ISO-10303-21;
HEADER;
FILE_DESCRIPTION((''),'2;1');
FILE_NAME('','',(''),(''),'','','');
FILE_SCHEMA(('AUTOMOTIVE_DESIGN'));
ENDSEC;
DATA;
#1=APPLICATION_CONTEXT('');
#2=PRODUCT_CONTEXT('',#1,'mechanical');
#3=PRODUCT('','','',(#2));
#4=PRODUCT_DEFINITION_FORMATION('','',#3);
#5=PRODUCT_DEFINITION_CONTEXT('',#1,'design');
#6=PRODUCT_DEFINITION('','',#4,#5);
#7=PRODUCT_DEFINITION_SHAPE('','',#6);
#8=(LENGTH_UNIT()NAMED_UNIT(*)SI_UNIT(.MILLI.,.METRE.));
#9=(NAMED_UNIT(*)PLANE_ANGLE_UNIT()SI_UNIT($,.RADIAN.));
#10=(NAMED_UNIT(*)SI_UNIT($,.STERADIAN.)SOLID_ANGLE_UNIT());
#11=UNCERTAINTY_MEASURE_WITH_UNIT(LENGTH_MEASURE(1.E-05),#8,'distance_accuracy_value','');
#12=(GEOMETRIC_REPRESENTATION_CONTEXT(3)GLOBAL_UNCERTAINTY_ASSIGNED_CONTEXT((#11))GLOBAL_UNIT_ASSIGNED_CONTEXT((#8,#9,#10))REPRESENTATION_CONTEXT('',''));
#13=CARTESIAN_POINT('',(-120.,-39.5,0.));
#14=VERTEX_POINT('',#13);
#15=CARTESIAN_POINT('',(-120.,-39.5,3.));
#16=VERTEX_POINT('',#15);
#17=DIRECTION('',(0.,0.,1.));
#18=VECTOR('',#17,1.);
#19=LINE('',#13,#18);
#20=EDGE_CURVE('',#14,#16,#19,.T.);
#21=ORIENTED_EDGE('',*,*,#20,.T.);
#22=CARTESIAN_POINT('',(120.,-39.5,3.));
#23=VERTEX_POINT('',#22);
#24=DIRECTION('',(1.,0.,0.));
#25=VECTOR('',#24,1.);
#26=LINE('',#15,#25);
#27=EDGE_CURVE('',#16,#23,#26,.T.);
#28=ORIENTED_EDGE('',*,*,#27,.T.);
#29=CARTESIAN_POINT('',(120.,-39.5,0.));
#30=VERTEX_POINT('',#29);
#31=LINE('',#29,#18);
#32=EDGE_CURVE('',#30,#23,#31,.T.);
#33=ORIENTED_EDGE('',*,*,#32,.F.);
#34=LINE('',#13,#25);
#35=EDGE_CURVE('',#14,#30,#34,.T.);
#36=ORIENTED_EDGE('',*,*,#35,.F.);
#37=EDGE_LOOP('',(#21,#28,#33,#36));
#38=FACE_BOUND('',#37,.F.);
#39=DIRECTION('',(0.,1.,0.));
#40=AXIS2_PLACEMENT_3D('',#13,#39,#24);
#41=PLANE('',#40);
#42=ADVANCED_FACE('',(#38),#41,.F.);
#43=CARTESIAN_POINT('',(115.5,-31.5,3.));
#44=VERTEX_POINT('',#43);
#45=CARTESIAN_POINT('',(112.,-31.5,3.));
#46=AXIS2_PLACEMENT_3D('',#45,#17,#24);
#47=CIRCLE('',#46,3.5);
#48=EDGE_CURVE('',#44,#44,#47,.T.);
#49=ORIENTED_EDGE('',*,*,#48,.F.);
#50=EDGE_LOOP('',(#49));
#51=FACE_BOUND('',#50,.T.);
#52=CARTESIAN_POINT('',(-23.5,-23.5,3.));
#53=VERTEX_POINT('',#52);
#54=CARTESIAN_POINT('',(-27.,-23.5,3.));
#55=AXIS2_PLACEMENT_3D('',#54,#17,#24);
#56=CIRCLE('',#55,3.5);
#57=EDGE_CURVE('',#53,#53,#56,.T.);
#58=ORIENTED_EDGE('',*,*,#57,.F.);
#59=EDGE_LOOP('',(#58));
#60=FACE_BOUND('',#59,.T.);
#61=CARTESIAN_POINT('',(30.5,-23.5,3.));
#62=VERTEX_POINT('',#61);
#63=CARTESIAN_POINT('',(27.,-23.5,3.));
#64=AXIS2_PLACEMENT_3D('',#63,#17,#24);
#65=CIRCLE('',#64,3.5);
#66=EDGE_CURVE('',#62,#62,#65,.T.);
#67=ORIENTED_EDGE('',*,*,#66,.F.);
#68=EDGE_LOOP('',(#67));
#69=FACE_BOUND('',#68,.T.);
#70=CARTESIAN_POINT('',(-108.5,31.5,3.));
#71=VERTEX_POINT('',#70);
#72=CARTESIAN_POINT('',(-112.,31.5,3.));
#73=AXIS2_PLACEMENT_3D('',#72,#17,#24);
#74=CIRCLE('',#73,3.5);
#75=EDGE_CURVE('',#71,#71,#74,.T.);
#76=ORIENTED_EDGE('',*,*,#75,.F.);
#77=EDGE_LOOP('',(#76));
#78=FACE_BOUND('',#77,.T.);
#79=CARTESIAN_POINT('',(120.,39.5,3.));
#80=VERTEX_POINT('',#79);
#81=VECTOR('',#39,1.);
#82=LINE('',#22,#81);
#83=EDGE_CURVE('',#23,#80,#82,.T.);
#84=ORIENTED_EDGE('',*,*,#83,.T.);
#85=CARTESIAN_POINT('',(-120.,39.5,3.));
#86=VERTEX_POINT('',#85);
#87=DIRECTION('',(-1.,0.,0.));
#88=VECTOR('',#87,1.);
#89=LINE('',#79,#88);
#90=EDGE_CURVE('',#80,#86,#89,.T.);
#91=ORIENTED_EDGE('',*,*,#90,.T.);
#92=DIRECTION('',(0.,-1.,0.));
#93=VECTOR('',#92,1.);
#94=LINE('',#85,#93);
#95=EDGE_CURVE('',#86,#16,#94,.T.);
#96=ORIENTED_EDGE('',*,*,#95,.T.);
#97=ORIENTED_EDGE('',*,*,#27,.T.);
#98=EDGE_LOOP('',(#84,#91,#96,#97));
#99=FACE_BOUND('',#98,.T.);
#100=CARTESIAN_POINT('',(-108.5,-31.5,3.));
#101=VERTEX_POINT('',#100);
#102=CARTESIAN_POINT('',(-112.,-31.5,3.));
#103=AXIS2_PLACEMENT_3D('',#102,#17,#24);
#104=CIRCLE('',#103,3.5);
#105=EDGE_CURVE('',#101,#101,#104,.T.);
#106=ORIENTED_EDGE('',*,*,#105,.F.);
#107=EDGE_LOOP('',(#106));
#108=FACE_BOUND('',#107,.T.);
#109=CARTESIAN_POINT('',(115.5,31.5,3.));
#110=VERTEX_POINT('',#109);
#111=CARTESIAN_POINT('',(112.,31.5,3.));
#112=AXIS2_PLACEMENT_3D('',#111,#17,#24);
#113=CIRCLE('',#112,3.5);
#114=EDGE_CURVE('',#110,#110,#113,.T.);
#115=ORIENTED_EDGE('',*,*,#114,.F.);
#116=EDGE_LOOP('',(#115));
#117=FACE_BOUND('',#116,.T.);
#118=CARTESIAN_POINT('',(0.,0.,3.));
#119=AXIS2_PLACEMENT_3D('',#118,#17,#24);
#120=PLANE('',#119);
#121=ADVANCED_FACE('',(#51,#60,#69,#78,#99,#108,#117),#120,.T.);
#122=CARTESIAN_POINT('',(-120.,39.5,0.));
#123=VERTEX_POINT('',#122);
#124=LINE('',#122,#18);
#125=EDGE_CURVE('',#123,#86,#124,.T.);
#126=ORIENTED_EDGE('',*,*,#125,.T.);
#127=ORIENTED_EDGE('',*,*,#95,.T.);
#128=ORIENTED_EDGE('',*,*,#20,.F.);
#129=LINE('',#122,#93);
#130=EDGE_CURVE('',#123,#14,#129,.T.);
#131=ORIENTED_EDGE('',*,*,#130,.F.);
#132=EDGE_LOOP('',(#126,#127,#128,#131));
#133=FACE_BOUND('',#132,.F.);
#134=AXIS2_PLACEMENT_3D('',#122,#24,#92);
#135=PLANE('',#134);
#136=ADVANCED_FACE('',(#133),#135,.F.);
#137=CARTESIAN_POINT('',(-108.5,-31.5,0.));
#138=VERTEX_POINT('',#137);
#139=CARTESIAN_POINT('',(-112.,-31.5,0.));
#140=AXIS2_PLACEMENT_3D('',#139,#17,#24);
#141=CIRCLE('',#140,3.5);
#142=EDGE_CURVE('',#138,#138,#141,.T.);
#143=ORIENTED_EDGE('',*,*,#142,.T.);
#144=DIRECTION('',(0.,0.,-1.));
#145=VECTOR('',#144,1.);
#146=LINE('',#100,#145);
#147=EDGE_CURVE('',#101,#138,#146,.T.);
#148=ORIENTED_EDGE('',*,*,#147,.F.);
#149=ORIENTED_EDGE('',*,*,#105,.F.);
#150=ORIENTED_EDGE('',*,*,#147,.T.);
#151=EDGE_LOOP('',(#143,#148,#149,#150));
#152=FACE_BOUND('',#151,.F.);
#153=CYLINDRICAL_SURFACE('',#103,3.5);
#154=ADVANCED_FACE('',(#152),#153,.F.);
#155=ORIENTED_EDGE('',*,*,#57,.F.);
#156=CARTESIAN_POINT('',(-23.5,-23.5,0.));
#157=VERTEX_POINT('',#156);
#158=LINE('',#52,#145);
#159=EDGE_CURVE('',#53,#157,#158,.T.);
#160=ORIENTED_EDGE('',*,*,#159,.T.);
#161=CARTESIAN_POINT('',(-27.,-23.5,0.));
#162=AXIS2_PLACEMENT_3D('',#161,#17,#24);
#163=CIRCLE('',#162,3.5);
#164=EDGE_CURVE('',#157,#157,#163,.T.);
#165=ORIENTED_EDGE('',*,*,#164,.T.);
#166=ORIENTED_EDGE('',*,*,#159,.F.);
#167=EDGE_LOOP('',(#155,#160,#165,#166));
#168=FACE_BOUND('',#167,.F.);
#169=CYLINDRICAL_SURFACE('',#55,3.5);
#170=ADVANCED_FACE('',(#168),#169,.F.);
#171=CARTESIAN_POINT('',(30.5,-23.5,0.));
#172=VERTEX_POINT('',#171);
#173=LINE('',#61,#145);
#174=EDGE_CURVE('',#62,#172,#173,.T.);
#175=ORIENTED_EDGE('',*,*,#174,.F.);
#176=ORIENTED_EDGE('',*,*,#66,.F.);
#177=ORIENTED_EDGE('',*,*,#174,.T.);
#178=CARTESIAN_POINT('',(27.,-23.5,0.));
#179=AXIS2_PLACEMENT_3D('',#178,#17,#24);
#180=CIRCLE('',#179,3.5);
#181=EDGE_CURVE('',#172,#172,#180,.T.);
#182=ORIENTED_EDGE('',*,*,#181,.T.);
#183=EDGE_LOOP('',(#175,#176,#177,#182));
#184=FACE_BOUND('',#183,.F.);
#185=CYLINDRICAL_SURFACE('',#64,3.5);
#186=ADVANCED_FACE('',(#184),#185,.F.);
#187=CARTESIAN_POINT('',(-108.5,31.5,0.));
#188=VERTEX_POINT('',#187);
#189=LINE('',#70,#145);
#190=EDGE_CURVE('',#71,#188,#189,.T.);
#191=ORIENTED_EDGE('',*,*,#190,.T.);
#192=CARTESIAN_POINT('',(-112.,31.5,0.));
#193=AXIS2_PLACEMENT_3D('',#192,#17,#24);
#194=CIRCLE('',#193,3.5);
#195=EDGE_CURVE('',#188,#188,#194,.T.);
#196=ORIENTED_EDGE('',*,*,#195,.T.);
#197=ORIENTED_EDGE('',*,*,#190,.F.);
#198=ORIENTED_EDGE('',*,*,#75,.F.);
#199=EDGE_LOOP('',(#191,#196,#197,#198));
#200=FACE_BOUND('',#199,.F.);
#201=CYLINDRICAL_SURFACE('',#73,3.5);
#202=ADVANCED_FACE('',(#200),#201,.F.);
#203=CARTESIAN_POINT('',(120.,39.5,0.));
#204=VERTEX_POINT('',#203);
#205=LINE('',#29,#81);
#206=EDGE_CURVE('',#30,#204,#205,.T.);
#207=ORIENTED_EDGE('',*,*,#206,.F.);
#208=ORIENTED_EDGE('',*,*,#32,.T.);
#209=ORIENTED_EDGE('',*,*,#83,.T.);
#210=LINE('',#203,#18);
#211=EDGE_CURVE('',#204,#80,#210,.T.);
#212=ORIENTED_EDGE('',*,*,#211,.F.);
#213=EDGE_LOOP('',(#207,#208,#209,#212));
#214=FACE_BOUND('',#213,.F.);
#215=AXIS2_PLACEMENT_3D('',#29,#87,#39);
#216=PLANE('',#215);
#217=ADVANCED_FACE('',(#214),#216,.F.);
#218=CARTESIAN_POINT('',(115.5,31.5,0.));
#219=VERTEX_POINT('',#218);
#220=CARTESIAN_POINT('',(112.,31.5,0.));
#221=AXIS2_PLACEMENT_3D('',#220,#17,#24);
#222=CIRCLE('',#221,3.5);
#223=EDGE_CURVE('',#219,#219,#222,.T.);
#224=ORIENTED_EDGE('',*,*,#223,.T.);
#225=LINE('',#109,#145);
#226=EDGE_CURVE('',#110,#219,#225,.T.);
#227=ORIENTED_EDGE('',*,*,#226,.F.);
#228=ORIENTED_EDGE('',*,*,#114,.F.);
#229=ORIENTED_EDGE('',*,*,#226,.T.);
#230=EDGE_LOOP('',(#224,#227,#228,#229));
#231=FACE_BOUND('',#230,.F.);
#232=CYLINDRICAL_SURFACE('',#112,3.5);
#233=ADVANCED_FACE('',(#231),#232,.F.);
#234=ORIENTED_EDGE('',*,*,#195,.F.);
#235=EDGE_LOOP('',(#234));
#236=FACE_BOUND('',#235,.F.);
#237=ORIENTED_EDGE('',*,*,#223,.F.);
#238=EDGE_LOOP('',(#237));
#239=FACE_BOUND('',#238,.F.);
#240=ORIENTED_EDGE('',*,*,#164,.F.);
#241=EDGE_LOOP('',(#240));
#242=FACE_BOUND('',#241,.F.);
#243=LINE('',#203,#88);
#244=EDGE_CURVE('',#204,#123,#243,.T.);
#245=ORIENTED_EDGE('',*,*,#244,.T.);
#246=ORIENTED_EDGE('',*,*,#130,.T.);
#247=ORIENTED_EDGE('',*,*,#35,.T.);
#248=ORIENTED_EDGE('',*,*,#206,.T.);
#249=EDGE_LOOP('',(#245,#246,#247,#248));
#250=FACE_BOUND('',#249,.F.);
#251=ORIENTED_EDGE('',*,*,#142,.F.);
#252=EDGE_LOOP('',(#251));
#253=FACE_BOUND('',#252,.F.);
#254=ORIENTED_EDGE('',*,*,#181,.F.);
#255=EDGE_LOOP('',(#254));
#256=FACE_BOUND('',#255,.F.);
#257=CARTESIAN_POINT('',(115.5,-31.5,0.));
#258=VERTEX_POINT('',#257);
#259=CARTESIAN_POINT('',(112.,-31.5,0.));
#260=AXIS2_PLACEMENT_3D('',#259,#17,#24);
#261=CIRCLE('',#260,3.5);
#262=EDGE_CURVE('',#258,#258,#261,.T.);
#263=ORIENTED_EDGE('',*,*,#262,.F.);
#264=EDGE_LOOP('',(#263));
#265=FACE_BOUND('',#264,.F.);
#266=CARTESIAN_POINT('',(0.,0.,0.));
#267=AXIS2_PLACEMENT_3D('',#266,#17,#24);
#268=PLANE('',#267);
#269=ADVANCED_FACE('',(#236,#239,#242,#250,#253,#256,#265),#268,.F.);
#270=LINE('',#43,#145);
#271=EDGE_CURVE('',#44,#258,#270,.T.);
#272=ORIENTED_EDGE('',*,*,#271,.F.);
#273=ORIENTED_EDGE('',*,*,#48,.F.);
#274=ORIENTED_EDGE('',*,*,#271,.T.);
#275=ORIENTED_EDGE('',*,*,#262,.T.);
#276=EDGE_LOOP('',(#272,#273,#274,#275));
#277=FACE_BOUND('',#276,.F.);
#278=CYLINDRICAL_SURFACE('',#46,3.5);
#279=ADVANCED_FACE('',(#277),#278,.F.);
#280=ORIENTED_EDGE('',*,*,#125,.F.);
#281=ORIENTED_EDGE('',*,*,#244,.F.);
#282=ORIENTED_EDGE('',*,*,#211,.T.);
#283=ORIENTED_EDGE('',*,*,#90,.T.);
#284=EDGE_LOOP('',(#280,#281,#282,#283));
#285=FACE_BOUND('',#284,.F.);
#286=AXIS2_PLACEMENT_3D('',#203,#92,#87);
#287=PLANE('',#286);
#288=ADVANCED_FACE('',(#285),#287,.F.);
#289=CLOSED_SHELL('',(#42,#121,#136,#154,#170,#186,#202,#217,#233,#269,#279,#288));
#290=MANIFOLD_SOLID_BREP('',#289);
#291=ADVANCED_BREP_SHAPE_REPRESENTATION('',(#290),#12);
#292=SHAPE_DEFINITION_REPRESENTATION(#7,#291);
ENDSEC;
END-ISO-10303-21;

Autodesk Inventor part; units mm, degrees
ref_plane "YZ Plane" through (0, 0, 0) normal (1, 0, 0) x (0, 1, 0)
ref_plane "XZ Plane" through (0, 0, 0) normal (0, 1, 0) x (-1, 0, 0)
ref_plane "XY Plane" through (0, 0, 0) normal (0, 0, 1) x (1, 0, 0)
sketch "Sketch66" plane through (0, 0, 0) normal (0, 0, 1) x (1, 0, 0)
  line L0 (-120, -39.5) -> (120, -39.5)
  line L1 (120, -39.5) -> (120, 39.5)
  line L2 (120, 39.5) -> (-120, 39.5)
  line L3 (-120, 39.5) -> (-120, -39.5)
  line L4 (-120, -39.5) -> (120, 39.5) construction
  line L5 (120, -39.5) -> (-120, 39.5) construction
  point P0 (0, 0)
  dimension "d179" = 240
  dimension "d180" = 79
extrude "Extrusion45" add sketch "Sketch66" along normal blind 3
sketch "Sketch68" plane through (0, 0, 3) normal (0, 0, 1) x (1, 0, 0)
  circle A0 centre (-112, 31.5) radius 3.5
  circle A1 centre (-112, -31.5) radius 3.5
  circle A2 centre (112, 31.5) radius 3.5
  circle A3 centre (112, -31.5) radius 3.5
  point P0 (0, 0)
  dimension "d186" = 7
  dimension "d187" = 7
  dimension "d188" = 7
  dimension "d189" = 7
extrude "Extrusion47" cut sketch "Sketch68" against normal through all
sketch "Sketch69" plane through (0, 0, 3) normal (0, 0, 1) x (1, 0, 0)
  circle A0 centre (-27, -23.5) radius 3.5
  circle A1 centre (27, -23.5) radius 3.5
  point P0 (0, 0)
  dimension "d192" = 7
  dimension "d193" = 7
extrude "Extrusion48" cut sketch "Sketch69" against normal through all
equation "\"d187\" = d186"
equation "\"d188\" = d186"
equation "\"d189\" = d186"
equation "\"d192\" = d186"
equation "\"d193\" = d186"
properties part number "magnet_test_print_v02"
